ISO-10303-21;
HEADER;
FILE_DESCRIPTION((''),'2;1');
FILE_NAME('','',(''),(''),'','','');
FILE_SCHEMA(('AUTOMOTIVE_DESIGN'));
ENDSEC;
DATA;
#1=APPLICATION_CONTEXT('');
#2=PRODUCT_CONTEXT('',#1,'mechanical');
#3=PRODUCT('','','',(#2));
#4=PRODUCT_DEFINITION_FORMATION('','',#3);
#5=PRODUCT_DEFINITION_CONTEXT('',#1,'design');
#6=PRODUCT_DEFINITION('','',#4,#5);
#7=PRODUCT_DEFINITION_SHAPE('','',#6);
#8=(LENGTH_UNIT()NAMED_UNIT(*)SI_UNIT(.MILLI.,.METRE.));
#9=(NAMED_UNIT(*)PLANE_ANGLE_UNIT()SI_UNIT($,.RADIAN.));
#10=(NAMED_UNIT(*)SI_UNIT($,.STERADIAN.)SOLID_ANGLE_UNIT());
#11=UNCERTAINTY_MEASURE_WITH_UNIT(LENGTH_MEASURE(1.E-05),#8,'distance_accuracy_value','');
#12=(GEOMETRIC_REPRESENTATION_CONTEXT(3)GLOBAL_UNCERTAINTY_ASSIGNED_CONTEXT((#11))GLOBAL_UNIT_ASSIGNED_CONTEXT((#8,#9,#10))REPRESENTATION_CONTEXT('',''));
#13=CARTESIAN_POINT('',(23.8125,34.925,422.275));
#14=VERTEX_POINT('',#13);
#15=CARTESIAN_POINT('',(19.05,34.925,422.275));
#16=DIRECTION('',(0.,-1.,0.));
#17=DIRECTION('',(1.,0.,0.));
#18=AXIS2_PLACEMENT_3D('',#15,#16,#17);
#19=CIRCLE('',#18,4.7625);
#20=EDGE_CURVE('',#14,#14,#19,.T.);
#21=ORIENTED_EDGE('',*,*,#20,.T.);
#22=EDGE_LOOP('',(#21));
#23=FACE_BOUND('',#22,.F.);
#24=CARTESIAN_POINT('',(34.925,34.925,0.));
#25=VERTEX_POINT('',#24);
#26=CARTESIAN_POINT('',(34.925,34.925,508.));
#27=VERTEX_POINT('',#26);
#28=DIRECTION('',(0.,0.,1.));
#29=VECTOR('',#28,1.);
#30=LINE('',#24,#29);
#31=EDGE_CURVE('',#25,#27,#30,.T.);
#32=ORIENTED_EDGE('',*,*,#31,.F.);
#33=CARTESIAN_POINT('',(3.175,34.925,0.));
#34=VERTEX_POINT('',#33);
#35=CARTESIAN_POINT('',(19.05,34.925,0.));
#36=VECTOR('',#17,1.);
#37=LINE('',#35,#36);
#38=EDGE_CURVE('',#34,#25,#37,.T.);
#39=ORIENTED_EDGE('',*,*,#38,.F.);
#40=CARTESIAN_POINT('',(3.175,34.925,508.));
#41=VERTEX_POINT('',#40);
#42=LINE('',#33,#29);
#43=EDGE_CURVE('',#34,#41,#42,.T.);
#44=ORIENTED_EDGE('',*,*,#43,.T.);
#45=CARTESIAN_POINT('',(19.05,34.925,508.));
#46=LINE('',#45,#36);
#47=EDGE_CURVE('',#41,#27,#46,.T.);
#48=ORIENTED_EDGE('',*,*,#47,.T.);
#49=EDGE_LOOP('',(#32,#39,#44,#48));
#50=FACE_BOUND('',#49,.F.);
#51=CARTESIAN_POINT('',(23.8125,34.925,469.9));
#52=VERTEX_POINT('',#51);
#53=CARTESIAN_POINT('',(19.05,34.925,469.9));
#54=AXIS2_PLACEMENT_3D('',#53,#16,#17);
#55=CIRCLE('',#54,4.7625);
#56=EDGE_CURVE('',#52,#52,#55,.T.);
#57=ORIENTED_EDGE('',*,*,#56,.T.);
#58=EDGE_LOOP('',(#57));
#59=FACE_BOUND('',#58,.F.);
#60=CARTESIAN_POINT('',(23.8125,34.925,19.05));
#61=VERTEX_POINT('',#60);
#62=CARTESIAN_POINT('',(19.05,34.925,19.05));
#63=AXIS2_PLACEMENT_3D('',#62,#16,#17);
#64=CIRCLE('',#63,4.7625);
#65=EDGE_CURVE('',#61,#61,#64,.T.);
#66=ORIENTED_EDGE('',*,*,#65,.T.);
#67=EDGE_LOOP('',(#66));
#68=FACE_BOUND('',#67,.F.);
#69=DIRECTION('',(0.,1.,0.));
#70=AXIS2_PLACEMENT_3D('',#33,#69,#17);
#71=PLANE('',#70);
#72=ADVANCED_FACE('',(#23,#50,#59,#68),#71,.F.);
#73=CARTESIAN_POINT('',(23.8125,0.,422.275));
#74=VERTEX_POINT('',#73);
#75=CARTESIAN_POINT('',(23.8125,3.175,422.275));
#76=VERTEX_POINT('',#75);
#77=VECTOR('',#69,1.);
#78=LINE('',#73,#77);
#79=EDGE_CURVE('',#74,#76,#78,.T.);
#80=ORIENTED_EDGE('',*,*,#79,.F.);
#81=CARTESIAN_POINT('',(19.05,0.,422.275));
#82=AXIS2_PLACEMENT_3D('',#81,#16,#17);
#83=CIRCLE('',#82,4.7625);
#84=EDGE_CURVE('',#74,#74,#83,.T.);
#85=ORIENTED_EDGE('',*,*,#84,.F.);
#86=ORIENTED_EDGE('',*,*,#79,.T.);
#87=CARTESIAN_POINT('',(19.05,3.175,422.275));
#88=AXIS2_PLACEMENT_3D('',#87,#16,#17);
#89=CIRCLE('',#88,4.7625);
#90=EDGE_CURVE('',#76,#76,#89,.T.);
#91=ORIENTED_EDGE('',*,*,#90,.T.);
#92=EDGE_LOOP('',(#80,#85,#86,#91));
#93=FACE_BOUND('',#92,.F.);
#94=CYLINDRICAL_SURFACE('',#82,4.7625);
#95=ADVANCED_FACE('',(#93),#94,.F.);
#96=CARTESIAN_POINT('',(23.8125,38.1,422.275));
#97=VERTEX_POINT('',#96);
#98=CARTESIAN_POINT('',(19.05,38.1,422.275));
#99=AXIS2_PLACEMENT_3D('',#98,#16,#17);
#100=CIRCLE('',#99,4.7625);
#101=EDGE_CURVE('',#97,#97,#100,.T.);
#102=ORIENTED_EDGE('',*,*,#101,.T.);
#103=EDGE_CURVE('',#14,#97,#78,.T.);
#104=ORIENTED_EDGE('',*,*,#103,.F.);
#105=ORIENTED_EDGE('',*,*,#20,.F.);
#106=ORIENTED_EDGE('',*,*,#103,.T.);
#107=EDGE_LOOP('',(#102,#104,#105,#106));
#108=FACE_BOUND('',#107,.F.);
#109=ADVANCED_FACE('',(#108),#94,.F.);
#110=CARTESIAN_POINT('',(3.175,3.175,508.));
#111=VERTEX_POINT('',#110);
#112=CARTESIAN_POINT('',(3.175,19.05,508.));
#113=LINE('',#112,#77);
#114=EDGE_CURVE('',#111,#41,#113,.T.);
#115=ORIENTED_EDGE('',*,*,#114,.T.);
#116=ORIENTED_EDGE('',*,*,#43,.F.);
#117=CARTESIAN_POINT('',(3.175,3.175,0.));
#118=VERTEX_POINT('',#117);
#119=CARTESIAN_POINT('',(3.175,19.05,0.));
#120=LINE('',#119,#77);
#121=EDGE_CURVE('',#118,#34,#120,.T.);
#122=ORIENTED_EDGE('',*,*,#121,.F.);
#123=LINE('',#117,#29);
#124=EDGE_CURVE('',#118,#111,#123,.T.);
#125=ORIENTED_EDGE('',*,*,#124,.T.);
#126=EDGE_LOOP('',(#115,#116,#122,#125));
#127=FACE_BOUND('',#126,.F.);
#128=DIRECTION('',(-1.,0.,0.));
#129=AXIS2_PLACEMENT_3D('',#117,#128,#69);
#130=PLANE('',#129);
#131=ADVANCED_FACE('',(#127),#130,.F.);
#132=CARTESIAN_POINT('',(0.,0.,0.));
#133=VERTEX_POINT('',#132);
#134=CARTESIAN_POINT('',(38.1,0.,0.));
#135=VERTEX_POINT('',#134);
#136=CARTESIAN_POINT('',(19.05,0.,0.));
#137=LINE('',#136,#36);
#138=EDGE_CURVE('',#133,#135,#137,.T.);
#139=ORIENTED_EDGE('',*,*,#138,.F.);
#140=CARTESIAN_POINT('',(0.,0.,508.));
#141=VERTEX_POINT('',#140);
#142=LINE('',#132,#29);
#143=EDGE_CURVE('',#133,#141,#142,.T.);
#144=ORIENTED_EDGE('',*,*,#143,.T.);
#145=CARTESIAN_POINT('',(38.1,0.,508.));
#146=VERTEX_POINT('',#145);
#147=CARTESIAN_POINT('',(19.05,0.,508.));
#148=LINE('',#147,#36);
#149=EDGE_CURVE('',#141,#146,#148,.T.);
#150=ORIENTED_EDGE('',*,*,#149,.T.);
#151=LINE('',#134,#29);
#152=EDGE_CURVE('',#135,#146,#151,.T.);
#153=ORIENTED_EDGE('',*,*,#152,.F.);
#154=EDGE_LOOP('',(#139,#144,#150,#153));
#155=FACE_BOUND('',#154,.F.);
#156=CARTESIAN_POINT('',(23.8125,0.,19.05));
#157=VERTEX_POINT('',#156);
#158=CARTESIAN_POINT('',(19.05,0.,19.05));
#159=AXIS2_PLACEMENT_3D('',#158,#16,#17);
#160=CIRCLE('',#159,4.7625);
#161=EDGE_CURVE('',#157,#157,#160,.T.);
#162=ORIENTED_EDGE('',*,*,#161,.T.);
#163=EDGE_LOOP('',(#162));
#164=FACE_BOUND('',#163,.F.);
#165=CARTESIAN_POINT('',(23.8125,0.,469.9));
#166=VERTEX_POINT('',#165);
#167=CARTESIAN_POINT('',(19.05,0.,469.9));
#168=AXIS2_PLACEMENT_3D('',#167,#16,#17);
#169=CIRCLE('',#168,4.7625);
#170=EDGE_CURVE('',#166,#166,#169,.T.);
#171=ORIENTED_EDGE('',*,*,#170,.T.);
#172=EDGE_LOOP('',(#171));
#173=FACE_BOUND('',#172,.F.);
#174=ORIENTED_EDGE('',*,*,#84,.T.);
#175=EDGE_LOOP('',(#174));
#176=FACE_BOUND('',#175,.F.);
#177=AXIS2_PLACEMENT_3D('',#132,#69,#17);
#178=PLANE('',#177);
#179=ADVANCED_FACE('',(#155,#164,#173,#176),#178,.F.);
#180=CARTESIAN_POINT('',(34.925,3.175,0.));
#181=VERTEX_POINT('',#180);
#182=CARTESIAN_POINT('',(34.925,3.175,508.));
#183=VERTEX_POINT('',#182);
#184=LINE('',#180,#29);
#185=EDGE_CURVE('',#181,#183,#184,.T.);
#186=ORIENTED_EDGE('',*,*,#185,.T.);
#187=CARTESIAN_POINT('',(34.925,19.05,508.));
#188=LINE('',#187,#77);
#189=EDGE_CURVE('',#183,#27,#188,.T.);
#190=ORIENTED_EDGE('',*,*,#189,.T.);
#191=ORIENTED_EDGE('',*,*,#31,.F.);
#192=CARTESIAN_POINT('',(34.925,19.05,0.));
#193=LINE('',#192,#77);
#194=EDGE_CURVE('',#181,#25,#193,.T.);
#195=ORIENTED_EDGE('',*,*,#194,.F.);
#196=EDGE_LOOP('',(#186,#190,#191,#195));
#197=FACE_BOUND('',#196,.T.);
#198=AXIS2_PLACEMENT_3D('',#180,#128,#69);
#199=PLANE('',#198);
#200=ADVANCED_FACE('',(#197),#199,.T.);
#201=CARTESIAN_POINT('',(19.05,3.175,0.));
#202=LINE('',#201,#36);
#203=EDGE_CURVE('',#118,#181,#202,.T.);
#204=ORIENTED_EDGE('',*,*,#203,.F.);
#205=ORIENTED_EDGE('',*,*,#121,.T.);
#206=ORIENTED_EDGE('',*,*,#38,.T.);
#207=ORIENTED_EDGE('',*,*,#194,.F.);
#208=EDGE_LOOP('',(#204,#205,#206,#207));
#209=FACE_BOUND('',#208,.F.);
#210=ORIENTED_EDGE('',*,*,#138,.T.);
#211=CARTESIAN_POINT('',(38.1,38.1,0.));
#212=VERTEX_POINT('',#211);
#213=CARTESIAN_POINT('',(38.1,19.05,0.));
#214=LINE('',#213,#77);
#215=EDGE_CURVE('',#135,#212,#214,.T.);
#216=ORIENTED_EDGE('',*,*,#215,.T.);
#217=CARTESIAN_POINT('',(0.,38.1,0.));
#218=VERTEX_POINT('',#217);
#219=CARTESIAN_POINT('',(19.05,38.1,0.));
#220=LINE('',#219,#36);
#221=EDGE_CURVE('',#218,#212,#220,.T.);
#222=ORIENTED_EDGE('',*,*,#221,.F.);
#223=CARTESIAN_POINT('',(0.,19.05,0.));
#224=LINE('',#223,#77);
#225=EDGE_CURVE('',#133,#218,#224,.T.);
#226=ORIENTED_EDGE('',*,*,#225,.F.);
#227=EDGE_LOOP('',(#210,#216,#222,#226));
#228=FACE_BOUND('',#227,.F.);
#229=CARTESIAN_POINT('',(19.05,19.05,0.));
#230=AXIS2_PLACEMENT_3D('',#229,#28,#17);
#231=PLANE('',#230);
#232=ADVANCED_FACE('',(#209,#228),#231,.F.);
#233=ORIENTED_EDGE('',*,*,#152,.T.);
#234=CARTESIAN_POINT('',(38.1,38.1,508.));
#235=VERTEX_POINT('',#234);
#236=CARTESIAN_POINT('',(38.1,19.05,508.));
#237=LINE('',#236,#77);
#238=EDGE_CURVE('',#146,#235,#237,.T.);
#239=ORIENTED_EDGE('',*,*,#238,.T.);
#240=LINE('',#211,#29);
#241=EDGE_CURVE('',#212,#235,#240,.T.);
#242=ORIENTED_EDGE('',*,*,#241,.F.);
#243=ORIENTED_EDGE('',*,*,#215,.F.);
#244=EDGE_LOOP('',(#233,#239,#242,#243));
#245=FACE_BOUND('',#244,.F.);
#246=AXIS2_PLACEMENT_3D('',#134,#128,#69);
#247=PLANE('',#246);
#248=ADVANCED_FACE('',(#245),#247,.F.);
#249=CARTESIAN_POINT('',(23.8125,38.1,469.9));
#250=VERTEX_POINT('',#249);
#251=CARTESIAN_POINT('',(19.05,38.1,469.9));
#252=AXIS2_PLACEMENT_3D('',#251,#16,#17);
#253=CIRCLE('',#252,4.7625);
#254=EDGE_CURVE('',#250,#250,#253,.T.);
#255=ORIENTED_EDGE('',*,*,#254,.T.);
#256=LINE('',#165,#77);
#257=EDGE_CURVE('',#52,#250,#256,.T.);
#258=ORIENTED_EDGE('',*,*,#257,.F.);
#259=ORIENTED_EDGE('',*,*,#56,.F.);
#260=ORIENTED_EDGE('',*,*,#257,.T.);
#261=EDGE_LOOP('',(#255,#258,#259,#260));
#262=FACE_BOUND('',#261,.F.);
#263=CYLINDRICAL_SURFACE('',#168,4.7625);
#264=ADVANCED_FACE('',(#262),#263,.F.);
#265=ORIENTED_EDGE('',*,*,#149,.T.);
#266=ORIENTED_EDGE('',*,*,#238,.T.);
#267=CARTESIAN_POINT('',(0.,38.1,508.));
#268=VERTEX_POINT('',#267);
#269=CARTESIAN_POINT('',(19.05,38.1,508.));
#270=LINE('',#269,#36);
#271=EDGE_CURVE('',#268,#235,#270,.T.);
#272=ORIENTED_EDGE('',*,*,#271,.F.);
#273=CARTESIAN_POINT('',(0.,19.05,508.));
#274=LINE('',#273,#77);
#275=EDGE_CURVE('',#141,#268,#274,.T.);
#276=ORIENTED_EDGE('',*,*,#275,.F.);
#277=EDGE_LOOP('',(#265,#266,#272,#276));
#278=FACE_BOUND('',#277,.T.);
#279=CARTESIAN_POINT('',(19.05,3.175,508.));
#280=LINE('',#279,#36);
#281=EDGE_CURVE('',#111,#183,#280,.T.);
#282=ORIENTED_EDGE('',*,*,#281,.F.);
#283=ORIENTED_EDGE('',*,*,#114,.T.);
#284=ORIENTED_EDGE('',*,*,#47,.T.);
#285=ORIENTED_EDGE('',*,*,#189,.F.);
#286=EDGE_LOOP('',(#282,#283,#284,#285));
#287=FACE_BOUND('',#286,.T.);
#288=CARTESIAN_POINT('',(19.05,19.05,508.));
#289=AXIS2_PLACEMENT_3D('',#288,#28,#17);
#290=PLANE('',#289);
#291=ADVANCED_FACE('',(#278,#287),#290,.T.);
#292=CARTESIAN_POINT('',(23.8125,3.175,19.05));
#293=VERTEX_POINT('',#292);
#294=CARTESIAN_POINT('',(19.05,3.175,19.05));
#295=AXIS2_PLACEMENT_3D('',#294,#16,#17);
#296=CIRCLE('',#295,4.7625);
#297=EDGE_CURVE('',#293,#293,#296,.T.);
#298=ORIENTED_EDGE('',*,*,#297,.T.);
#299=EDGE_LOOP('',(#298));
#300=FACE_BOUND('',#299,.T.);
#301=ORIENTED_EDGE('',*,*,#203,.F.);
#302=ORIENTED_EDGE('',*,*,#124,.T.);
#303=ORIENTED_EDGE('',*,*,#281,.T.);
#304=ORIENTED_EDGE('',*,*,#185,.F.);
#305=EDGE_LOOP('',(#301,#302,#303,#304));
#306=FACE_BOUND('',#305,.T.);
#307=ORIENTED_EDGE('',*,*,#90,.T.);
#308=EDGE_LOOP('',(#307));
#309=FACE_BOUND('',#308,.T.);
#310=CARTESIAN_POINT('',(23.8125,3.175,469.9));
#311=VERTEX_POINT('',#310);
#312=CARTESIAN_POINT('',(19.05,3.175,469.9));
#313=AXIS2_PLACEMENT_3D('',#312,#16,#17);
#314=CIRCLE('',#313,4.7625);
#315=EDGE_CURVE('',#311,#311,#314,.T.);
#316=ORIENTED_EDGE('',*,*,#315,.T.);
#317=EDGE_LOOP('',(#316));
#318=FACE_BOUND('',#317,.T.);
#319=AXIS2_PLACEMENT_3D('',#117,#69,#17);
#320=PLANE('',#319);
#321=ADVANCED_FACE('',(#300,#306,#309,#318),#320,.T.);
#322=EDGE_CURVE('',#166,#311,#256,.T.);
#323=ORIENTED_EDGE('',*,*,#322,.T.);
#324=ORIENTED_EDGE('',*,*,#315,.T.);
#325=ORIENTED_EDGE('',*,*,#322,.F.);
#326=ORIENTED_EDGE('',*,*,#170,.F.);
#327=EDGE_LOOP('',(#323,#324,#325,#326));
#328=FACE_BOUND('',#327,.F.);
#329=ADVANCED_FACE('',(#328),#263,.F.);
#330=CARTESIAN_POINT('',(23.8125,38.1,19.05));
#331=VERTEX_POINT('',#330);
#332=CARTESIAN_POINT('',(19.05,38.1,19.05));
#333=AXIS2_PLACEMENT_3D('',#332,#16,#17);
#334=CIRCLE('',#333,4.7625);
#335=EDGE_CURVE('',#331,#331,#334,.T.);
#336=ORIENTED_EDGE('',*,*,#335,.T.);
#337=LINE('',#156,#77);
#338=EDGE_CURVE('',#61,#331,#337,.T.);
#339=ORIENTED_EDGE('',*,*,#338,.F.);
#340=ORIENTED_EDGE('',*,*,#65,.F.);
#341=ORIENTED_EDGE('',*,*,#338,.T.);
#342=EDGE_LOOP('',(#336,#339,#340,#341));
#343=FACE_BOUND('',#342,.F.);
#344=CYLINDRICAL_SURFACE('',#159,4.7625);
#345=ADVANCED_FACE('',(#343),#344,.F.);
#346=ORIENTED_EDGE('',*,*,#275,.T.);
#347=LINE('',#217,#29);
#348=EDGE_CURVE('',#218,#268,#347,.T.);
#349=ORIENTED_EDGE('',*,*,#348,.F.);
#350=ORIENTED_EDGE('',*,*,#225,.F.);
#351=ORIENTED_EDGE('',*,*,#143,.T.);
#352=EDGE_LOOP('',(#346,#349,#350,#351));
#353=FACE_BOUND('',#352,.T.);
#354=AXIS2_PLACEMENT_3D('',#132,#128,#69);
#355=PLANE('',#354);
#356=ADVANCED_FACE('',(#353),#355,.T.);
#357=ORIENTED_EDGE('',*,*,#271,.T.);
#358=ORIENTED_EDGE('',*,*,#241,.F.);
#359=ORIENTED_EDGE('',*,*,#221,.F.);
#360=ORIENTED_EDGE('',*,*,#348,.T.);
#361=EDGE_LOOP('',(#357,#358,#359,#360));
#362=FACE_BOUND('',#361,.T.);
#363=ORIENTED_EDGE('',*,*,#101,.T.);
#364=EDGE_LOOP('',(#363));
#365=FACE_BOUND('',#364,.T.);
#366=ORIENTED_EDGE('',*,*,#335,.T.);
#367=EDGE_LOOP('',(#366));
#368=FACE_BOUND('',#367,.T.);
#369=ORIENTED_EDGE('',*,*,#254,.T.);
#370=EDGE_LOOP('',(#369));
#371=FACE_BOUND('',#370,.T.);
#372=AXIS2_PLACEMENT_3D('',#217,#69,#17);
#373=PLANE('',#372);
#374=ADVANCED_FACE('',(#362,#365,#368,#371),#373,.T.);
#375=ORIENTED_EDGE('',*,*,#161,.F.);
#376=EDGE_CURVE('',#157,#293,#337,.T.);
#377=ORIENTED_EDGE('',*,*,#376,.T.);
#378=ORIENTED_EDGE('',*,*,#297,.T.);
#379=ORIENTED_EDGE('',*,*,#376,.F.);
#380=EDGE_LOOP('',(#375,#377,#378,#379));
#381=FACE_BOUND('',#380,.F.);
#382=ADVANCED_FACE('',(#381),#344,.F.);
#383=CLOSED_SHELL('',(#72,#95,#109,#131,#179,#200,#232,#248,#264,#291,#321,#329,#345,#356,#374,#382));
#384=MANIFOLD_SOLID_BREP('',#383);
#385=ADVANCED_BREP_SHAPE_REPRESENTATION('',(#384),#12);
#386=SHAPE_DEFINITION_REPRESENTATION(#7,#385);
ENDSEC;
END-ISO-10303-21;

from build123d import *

# Parameters (mm, degrees)
F0_W     = 38.1
F0_H     = 38.1
F0_W_2   = 31.75
F0_H_2   = 31.75
F1_DEPTH = 508
F2_R     = 4.7625
F3_DEPTH = 38.101
F4_R     = 4.7625
F5_DEPTH = 38.101
F6_R     = 4.7625
F7_DEPTH = 38.101


with BuildPart() as f1:
    # F0 (on Top) → F1 (new body)
    with BuildSketch(Plane.XY):
        with Locations((19.05, 19.05)):
            Rectangle(F0_W, F0_H)
        with Locations((19.05, 19.05)):
            Rectangle(F0_W_2, F0_H_2, mode=Mode.SUBTRACT)
    extrude(amount=F1_DEPTH)

    # F2 (on face) → F3 (cut, through all)
    with BuildSketch(Plane.XZ):
        with Locations((19.05, 19.05)):
            Circle(F2_R)
    extrude(amount=-F3_DEPTH, mode=Mode.SUBTRACT)

    # F4 (on face) → F5 (cut, through all)
    with BuildSketch(Plane.XZ):
        with Locations((19.05, 422.275)):
            Circle(F4_R)
    extrude(amount=-F5_DEPTH, mode=Mode.SUBTRACT)

    # F6 (on face) → F7 (cut, through all)
    with BuildSketch(Plane.XZ):
        with Locations((19.05, 469.9)):
            Circle(F6_R)
    extrude(amount=-F7_DEPTH, mode=Mode.SUBTRACT)


solid = f1.part
